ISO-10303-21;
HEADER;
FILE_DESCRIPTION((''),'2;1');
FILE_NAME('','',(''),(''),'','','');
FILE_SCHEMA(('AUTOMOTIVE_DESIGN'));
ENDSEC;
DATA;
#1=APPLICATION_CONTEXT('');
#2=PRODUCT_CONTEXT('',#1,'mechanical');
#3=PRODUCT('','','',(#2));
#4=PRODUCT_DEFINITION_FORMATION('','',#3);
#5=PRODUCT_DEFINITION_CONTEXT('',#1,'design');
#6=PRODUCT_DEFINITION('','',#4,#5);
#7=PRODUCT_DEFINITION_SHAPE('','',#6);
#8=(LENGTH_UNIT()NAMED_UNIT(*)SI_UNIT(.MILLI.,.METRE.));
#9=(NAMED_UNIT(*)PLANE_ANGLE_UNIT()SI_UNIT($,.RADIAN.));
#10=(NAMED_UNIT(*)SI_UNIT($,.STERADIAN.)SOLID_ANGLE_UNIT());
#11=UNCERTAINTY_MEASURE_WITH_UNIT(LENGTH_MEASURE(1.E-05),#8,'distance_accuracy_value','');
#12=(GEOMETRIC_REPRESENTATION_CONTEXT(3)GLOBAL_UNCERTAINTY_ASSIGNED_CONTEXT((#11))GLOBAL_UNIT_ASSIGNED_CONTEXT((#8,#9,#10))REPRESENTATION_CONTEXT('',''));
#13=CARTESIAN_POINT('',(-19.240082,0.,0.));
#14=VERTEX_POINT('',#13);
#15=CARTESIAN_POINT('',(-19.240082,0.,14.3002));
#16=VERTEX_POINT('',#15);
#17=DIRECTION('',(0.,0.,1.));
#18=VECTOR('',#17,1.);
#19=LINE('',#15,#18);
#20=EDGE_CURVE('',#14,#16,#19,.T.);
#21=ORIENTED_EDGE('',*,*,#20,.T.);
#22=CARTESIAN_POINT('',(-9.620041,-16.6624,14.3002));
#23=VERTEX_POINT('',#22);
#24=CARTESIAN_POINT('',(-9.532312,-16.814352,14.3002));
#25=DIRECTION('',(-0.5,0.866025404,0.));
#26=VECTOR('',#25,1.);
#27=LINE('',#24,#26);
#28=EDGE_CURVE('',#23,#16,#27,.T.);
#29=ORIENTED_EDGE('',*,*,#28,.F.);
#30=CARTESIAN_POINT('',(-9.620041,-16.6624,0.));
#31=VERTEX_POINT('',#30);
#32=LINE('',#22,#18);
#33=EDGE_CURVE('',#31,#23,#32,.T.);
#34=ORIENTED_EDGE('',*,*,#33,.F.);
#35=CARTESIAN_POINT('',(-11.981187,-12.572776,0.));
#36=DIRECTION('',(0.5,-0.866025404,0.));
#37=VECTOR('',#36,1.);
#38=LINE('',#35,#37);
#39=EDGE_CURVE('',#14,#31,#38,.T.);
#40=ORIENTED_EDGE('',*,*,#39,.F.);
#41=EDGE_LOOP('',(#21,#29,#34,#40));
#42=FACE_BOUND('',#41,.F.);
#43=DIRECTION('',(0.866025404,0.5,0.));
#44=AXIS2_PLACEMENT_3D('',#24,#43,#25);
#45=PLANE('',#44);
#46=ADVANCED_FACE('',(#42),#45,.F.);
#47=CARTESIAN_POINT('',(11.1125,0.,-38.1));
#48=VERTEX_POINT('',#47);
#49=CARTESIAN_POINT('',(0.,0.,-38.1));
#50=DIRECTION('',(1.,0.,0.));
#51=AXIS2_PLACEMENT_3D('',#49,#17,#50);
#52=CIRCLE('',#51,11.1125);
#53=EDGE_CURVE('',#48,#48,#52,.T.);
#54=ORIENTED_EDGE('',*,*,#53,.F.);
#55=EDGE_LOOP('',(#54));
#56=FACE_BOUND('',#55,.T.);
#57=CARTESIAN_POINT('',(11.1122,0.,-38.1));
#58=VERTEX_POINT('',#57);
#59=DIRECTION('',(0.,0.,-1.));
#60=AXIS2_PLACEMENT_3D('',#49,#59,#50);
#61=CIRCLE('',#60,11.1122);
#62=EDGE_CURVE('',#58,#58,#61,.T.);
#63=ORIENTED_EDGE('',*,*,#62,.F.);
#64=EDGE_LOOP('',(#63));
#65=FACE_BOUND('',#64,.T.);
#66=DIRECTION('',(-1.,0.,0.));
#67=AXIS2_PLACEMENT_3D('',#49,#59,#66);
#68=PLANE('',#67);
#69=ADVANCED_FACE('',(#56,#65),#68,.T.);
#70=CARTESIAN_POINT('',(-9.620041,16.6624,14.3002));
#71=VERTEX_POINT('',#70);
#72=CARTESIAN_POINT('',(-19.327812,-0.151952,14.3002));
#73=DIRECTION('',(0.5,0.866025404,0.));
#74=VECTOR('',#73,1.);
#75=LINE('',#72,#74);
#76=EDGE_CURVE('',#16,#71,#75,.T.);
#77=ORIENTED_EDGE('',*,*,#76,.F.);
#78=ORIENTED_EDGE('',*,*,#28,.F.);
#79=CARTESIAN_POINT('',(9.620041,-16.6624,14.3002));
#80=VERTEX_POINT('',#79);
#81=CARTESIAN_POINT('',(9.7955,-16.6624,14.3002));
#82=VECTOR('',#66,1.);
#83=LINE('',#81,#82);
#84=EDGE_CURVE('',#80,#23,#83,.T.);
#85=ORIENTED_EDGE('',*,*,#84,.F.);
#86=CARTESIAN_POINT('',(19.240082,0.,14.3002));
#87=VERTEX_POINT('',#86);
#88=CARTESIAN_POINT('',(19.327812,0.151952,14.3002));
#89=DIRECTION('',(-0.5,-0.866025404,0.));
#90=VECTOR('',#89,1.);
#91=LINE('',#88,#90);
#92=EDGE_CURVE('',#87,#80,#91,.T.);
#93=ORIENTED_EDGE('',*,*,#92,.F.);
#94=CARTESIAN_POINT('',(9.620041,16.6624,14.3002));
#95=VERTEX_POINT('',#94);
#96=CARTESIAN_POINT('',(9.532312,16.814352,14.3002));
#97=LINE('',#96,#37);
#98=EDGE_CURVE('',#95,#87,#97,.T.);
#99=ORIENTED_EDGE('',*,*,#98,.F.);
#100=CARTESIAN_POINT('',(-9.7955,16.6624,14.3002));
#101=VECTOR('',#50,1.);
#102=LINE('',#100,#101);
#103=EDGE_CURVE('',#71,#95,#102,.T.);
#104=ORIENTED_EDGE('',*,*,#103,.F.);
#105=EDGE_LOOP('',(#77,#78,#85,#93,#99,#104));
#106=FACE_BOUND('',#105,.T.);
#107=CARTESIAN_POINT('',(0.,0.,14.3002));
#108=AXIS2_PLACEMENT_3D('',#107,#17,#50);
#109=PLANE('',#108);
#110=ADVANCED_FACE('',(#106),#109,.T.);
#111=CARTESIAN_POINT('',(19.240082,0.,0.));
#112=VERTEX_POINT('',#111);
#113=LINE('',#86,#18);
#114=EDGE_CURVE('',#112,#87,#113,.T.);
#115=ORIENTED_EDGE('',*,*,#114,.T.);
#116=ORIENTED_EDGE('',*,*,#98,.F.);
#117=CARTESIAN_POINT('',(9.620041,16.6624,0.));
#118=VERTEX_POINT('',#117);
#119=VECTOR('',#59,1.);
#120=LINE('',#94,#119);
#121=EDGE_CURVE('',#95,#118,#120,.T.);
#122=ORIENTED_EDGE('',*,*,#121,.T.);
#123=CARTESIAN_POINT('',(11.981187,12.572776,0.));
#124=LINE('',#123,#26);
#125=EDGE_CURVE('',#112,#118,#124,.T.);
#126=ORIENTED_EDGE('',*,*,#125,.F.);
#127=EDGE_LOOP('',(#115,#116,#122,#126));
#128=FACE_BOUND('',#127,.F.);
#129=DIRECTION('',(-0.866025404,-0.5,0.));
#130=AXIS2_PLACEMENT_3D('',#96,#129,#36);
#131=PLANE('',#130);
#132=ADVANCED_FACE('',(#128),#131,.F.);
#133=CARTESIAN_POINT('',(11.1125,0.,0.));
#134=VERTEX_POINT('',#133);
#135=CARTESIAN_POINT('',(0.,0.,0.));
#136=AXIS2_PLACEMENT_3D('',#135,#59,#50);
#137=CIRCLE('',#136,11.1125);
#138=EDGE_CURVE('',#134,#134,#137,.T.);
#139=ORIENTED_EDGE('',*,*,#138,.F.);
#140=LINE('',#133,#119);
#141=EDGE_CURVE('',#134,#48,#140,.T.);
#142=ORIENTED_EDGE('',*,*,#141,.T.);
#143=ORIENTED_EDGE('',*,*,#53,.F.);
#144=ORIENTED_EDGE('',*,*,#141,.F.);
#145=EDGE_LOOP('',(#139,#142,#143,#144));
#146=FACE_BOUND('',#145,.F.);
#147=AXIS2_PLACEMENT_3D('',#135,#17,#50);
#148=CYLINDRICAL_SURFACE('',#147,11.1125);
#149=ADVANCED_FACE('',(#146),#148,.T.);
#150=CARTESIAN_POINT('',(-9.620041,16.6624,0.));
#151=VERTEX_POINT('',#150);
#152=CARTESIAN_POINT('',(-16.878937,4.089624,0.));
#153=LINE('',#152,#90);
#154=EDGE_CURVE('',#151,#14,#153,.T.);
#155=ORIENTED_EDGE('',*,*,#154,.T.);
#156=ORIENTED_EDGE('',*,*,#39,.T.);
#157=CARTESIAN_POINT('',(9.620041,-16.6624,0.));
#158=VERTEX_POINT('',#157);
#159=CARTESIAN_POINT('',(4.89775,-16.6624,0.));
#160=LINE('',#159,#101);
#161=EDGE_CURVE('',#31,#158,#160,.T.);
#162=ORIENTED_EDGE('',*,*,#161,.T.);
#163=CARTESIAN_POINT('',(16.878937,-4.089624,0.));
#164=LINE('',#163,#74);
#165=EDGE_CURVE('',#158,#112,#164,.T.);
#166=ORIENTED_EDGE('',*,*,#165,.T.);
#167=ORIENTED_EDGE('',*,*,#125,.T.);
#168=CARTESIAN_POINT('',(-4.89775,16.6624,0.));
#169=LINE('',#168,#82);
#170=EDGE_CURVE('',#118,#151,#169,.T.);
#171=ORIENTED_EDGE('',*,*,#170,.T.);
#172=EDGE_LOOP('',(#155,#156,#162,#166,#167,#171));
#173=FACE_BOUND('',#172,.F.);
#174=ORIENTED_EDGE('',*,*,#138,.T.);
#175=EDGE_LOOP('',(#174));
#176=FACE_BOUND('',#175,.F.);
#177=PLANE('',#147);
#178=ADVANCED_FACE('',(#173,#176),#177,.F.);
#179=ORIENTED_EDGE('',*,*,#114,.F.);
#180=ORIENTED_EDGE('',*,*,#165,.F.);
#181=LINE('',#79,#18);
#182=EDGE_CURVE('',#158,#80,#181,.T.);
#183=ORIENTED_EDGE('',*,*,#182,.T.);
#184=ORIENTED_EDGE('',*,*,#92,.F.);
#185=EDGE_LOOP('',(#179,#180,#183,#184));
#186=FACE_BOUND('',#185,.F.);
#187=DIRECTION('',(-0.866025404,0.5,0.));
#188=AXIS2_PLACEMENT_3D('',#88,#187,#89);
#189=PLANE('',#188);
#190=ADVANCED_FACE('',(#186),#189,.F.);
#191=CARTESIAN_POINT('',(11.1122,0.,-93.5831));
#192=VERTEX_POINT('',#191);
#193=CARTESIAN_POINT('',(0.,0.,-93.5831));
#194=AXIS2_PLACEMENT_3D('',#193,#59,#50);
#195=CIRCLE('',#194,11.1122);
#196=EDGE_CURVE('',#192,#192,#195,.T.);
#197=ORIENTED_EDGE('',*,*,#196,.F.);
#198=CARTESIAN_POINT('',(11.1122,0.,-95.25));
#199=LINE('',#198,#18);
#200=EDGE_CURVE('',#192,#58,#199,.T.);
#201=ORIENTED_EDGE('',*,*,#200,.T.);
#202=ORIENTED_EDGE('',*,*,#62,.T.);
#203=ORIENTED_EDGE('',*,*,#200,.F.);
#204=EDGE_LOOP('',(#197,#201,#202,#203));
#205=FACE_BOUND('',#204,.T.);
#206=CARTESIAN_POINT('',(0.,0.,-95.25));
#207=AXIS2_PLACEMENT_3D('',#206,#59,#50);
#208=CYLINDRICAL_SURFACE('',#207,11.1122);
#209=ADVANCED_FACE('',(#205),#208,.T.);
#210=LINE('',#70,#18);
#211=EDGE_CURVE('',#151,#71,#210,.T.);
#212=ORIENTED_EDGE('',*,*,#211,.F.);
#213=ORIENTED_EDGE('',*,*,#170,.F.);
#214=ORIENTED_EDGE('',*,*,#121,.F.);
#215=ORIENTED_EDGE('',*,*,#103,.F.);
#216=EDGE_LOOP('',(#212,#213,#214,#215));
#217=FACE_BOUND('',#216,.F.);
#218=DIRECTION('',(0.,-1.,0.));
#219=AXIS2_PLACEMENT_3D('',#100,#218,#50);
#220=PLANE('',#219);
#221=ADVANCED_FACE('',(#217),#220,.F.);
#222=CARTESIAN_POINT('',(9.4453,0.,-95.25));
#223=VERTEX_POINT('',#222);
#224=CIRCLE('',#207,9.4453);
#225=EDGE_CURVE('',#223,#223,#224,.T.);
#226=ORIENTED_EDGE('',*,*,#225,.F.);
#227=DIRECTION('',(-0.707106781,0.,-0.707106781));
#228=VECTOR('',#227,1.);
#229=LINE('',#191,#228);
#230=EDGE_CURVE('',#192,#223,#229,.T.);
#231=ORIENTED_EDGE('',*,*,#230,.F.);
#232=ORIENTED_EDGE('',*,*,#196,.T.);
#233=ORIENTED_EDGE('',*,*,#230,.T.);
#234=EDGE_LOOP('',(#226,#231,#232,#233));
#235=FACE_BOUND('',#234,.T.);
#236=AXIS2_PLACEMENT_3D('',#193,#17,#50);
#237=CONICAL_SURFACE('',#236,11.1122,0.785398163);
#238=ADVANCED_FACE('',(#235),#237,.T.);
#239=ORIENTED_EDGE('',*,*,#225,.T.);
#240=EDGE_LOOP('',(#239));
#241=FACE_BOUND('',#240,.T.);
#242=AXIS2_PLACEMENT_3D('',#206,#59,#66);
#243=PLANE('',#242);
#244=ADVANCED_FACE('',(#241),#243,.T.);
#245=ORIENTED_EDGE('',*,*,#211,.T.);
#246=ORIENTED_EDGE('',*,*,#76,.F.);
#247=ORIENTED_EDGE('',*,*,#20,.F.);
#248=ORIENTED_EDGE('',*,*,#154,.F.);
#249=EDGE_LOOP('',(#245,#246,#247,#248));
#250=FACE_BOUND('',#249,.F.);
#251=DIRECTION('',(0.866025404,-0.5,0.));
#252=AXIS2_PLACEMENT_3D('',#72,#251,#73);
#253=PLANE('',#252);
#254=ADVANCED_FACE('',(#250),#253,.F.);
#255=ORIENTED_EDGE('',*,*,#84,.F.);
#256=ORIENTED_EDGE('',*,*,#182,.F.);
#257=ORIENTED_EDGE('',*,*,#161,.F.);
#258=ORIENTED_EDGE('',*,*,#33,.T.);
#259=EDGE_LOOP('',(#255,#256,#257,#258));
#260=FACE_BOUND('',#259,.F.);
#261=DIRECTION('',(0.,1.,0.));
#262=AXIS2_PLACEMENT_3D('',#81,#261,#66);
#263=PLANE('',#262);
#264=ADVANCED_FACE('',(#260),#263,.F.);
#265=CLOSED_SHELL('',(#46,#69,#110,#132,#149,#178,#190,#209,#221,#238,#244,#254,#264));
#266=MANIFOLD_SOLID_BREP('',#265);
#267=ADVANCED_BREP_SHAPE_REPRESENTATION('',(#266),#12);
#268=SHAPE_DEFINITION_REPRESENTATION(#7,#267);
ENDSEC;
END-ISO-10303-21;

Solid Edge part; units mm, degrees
sketch "Sketch1" plane through (0, 0, 0) normal (0, 0, 1) x (1, 0, 0)
  circle A0 centre (0, 0) radius 19.3284
  dimension "D1" = 38.6568
extrude "Protrusion1" add sketch "Sketch1" along normal blind 14.3002
sketch "Sketch2" plane through (0, 0, 0) normal (0, 0, -1) x (1, 0, 0)
  circle A0 centre (0, 0) radius 11.1125
extrude "Protrusion2" add sketch "Sketch2" along normal blind 95.25
sketch "Sketch3" plane through (0, 0, -95.25) normal (0, 0, -1) x (1, 0, 0)
  circle A0 centre (0, 0) radius 11.1122
extrude "Cutout1" cut sketch "Sketch3" against normal blind 57.15 flip side to cut
chamfer "Chamfer_1" distance 1.6669 angle 45 1 edges at (-11.1122, 0, -95.25)
sketch "Sketch4" plane through (0, 0, 14.3002) normal (0, 0, 1) x (1, 0, 0)
  line L0 (-9.7955, 16.6624) -> (9.7955, 16.6624)
  dimension "D1" = 33.3248
extrude "Cutout2" cut sketch "Sketch4" against normal up to next material side at (0, 16.7124, 14.3002)
pattern_circular "Pattern1" count 6 over 360 about axis through (0, 0, 14.3002) along (0, 0, 1) of "Cutout2"
properties part number "185976"
